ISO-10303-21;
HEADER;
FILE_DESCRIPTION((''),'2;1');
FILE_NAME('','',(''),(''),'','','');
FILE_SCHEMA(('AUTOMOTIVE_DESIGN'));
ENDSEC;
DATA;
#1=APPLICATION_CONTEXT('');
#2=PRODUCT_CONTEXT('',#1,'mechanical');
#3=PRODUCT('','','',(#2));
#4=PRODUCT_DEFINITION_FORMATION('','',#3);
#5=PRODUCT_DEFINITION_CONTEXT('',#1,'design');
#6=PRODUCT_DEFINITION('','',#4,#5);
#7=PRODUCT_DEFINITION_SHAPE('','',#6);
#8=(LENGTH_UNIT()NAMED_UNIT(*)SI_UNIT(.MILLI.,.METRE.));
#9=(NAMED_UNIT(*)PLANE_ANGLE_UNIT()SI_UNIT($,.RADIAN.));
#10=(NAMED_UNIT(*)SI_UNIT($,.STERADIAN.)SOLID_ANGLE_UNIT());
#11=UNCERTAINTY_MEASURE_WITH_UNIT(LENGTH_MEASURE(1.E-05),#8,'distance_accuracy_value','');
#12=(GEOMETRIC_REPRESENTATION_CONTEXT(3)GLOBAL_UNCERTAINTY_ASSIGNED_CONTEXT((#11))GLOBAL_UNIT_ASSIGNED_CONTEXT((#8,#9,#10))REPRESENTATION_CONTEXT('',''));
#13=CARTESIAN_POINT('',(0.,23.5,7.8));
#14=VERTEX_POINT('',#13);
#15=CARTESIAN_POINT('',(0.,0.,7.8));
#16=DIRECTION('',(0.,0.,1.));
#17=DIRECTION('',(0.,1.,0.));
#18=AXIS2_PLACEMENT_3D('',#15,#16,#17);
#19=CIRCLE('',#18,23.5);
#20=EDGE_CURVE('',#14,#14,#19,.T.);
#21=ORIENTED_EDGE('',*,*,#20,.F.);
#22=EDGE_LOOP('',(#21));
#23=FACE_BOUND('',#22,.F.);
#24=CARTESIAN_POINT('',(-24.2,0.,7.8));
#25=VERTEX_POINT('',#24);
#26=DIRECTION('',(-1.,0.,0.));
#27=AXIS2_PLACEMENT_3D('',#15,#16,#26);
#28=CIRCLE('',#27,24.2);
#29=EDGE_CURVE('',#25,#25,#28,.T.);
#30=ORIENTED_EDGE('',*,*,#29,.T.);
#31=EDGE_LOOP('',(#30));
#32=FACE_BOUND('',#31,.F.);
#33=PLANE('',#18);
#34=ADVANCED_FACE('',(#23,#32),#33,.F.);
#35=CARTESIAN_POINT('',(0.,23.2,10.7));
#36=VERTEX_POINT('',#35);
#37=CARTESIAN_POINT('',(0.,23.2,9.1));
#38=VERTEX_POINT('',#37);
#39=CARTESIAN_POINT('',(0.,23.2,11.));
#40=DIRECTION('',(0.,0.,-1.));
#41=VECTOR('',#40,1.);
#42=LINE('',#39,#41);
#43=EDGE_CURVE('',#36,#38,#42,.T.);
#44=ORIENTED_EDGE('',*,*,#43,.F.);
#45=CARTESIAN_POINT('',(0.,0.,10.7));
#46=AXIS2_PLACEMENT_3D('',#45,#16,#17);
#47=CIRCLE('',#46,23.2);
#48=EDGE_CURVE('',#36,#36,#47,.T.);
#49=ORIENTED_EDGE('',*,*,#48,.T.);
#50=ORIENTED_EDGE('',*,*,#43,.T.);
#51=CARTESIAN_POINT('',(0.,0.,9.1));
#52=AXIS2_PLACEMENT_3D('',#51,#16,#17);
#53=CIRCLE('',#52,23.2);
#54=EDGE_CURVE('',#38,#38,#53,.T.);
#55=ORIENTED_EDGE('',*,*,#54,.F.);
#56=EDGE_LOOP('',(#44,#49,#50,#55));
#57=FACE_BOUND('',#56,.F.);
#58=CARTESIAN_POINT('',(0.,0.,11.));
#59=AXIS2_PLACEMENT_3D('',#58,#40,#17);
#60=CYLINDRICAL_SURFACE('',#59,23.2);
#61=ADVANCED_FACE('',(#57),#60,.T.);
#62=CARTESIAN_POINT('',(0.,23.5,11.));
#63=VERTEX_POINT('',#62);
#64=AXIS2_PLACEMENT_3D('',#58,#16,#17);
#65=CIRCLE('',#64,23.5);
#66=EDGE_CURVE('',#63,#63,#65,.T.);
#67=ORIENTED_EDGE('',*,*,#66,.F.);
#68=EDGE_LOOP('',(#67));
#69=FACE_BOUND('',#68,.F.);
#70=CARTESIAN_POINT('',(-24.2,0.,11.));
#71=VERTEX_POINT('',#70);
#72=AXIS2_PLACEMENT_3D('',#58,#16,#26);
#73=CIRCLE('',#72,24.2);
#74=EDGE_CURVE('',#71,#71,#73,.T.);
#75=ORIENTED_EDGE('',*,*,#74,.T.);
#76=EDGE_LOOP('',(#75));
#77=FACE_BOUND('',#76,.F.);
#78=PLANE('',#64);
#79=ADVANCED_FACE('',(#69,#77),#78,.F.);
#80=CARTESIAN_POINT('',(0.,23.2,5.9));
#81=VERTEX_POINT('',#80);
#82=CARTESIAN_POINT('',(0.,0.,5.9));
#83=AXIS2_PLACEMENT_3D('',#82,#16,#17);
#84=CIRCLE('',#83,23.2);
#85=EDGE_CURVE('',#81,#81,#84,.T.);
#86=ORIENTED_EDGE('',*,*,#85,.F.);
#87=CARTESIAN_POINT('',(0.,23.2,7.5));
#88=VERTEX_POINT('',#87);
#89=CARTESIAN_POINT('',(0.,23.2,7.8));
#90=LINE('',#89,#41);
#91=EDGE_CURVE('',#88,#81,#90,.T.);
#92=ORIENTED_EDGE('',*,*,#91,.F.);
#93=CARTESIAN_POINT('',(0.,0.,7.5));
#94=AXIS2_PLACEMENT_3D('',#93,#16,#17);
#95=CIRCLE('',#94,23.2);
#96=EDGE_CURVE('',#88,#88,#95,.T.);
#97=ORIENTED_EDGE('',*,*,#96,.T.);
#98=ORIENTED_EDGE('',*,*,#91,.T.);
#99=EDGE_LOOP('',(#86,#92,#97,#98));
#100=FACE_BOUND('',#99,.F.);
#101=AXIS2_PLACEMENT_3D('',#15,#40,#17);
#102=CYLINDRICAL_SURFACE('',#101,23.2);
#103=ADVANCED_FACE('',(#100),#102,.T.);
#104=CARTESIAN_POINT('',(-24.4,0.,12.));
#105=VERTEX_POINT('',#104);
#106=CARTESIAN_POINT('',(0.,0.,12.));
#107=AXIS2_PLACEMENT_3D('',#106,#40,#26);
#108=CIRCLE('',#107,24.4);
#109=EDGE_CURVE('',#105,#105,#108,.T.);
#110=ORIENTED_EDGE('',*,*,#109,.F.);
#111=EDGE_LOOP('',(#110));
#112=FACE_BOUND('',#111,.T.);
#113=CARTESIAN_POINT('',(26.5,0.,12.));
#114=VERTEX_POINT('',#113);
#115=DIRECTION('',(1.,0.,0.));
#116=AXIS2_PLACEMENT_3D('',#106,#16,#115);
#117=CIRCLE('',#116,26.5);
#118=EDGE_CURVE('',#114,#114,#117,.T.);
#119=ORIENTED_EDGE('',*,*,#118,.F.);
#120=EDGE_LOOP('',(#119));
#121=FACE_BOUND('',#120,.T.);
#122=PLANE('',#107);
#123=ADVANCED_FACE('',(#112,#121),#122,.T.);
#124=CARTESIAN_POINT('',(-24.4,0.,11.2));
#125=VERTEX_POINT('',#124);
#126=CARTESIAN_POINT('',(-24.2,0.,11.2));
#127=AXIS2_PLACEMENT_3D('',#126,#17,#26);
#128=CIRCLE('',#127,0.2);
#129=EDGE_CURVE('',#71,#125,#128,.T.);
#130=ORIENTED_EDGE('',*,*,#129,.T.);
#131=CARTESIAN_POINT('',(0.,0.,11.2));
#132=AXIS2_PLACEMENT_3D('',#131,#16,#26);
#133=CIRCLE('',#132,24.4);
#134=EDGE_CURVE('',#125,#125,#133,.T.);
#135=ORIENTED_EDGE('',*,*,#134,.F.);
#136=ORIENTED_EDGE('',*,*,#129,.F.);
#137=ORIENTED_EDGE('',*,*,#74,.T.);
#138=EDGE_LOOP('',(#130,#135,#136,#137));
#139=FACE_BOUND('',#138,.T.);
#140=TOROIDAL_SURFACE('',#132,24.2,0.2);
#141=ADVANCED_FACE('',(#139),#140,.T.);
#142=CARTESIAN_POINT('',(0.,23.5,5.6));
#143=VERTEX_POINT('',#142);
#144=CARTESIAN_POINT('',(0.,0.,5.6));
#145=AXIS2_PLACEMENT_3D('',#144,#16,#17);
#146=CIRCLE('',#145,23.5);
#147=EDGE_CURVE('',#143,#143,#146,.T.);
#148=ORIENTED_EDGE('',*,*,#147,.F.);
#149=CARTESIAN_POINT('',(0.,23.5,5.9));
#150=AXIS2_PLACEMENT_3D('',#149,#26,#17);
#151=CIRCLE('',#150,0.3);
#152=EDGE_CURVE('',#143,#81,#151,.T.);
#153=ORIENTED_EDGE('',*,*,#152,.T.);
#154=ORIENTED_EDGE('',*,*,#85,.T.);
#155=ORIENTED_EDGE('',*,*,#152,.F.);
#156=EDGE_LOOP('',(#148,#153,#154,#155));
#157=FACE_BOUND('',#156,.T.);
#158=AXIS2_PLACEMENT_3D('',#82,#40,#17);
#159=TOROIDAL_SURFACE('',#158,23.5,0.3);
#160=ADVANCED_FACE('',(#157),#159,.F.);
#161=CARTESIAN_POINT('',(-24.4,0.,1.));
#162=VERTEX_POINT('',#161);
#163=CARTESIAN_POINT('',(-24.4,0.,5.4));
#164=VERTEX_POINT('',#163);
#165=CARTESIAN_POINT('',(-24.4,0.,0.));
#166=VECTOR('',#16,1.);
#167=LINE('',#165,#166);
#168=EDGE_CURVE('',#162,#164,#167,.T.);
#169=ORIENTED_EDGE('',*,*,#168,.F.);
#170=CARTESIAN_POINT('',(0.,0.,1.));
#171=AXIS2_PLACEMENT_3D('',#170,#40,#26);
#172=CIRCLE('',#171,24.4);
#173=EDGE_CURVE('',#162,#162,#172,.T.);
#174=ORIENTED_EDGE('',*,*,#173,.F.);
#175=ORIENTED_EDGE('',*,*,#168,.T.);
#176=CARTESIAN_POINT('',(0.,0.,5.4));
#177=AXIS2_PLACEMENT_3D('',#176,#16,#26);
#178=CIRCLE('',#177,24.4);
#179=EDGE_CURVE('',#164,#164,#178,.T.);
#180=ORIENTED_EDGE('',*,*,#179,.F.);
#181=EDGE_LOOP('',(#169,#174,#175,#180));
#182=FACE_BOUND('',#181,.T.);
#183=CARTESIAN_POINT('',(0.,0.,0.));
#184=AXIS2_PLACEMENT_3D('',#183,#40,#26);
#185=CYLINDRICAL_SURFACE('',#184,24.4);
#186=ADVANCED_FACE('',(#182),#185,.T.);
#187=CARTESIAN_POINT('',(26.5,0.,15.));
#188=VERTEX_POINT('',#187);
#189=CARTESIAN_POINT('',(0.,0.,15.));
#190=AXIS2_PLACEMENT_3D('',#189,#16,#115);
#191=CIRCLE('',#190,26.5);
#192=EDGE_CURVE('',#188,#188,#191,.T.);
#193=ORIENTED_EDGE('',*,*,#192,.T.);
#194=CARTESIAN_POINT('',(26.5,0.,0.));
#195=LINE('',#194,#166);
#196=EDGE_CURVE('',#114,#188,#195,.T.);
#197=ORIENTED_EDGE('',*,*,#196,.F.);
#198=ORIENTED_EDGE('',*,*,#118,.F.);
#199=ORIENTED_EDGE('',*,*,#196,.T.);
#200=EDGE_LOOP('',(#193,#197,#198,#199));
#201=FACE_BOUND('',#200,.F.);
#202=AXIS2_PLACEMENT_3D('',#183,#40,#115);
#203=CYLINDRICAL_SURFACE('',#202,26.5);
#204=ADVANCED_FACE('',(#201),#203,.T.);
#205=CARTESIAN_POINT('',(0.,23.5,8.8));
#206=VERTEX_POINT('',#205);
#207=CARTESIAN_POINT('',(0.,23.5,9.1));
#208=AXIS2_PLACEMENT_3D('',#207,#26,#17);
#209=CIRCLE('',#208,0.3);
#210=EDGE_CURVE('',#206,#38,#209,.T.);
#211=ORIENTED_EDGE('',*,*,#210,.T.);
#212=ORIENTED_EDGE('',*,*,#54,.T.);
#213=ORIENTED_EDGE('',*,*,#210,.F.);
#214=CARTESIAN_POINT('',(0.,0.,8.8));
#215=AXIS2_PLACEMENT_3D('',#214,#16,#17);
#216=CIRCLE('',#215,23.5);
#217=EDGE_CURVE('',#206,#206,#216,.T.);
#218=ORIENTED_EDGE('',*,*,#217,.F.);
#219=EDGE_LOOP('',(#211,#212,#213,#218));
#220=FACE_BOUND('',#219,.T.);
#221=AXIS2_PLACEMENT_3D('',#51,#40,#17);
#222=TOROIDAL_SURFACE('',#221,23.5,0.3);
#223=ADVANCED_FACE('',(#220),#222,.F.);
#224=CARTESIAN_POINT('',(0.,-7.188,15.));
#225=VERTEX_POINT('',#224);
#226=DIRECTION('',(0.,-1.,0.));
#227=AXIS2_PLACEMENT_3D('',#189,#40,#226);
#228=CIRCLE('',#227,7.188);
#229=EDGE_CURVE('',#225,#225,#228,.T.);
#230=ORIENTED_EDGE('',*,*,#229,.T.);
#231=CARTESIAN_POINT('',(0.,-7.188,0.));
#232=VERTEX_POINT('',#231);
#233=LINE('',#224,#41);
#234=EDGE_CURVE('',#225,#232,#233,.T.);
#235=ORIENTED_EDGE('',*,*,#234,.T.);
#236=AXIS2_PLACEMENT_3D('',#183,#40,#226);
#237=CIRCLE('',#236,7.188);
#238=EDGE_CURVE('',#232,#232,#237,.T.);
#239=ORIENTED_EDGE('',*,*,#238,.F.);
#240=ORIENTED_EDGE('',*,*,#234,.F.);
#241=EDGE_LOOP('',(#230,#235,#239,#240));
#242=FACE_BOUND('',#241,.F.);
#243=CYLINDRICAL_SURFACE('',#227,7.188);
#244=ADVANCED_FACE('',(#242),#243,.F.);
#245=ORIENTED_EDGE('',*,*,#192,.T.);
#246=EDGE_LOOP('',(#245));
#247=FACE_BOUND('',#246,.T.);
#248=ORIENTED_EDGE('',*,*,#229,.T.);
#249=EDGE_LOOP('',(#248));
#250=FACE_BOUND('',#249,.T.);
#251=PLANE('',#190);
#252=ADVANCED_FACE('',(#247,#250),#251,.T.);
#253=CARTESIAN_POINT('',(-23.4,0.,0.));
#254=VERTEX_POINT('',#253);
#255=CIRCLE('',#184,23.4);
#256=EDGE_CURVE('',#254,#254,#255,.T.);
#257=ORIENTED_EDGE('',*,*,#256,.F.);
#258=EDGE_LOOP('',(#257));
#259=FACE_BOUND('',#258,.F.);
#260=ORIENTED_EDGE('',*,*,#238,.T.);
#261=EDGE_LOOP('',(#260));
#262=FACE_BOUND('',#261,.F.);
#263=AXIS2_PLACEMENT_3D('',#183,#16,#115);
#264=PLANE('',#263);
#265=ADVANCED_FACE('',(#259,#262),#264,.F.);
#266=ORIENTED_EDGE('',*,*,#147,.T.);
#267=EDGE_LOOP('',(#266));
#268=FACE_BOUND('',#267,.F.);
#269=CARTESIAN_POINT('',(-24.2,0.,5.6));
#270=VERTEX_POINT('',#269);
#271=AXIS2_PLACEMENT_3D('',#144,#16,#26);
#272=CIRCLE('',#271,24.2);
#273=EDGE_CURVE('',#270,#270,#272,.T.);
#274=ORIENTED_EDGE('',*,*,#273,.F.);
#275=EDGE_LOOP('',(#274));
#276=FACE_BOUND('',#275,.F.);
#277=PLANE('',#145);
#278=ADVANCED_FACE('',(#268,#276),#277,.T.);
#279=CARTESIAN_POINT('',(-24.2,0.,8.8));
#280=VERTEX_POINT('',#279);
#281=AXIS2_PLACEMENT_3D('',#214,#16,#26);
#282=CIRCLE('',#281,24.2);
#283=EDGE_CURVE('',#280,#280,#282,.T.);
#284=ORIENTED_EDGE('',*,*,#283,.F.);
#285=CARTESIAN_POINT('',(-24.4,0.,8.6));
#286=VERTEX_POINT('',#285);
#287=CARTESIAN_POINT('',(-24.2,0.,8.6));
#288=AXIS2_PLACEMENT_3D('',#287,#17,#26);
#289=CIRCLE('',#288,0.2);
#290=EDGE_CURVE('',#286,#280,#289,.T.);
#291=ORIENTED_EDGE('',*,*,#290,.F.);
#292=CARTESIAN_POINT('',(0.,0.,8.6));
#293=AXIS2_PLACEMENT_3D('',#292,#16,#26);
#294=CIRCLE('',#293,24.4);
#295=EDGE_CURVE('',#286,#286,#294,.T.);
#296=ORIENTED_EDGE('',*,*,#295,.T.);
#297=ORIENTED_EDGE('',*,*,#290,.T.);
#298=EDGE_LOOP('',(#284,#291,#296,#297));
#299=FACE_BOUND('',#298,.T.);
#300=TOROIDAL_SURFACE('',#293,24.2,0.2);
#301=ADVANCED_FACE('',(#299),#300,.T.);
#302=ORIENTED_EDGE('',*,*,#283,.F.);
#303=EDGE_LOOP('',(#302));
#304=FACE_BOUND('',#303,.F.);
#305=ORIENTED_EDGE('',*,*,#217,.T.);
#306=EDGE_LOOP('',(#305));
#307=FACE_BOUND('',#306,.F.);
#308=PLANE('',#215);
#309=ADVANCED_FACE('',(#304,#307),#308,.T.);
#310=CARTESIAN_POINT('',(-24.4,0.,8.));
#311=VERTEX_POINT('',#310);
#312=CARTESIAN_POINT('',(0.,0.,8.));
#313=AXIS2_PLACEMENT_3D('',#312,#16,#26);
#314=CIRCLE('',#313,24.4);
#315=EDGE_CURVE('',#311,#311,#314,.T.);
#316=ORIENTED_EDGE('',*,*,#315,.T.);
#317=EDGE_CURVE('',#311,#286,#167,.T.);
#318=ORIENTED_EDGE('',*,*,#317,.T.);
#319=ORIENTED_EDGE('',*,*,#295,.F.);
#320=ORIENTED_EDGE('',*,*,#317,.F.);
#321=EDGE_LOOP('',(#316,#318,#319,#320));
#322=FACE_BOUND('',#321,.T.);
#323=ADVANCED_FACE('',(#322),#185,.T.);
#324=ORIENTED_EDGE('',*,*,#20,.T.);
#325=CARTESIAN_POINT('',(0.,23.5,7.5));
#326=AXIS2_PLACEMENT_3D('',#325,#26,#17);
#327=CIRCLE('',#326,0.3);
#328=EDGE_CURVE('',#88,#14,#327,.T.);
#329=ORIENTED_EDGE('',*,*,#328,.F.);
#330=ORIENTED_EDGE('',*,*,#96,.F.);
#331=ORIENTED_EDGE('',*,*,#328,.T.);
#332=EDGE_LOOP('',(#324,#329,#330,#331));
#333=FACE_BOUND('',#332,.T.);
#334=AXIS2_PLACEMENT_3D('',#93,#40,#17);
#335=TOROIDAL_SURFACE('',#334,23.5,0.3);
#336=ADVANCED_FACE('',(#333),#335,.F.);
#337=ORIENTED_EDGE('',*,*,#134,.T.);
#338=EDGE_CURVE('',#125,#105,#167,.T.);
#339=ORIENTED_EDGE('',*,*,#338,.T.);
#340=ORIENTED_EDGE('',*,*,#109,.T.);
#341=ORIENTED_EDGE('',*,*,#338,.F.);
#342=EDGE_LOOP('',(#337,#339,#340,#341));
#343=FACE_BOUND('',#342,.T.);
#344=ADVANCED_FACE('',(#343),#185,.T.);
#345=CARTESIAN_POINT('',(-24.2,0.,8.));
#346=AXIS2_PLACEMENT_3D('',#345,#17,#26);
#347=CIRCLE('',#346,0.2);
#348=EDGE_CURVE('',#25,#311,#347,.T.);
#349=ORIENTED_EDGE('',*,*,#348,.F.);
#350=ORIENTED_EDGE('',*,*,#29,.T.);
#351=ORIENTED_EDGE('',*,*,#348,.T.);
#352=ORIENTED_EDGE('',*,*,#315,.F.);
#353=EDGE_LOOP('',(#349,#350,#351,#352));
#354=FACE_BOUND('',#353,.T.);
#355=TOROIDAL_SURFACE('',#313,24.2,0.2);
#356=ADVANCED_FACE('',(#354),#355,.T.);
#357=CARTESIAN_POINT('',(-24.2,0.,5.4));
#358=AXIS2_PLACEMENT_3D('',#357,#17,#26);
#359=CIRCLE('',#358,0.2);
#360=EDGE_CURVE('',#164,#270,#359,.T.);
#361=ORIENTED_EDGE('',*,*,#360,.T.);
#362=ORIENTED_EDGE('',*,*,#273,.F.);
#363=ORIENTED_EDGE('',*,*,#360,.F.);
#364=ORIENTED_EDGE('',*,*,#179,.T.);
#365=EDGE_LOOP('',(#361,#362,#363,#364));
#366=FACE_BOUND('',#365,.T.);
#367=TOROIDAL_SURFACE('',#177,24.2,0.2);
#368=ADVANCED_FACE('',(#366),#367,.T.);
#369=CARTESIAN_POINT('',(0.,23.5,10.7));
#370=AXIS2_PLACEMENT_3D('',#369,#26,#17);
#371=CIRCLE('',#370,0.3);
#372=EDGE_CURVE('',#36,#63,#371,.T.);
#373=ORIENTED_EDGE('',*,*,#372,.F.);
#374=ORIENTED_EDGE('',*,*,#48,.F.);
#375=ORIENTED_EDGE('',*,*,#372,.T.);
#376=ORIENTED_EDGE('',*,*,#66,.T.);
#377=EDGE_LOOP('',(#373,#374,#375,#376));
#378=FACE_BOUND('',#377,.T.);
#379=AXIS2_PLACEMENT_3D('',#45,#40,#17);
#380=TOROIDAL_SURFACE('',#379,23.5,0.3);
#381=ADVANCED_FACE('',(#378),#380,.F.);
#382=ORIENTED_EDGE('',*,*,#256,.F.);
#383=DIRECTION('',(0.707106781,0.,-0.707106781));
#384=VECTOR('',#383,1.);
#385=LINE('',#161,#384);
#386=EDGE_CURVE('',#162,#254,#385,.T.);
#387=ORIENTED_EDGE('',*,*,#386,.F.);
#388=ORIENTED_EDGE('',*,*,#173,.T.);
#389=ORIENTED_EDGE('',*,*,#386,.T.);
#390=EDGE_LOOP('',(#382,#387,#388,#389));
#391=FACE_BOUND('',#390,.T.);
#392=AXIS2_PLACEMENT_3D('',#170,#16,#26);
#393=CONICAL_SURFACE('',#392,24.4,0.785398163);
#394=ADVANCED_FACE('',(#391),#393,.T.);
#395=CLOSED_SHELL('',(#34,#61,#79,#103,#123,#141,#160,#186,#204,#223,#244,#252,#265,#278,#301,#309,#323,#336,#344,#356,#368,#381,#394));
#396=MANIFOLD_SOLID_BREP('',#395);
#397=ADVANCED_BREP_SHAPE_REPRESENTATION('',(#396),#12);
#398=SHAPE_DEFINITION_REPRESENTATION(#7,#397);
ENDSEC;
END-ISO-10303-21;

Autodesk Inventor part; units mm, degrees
ref_plane "XZ Plane" through (0, 0, 0) normal (0, 1, 0) x (-1, 0, 0)
ref_plane "XY Plane" through (0, 0, 0) normal (0, 0, 1) x (1, 0, 0)
sketch "Skizze1" plane through (0, 0, 0) normal (0, 0, 1) x (1, 0, 0)
  circle A0 centre (0, 0) radius 26.5
  dimension "d0" = 53
extrude "Extrusion1" add sketch "Skizze1" along normal blind 15
sketch "Skizze2" plane through (0, 0, 0) normal (0, 0, -1) x (-1, 0, 0)
  circle A0 centre (0, 0) radius 24.4
  circle A1 centre (0, 0) radius 26.5 projected
  dimension "d3" = 48.8
extrude "Extrusion2" cut sketch "Skizze2" against normal blind 12
sketch "Skizze3" plane through (0, 0, 0) normal (0, 0, -1) x (-1, 0, 0)
  circle A0 centre (0, 0) radius 24.4 projected
ref_plane "Arbeitsebene1" through (0, 0, 0) normal (1, 0, 0) x (0, 1, 0)
sketch "Skizze4" plane through (0, 0, 0) normal (1, 0, 0) x (0, 1, 0)
  line L0 (26.5, 12) -> (-26.5, 12) projected
  line L1 (24.4, 0) -> (24.4, 12) projected
  line L2 (24.4, 11) -> (23.2, 11)
  line L3 (23.2, 11) -> (23.2, 8.8)
  line L4 (23.2, 8.8) -> (24.4, 8.8)
  line L5 (24.4, 7.8) -> (23.2, 7.8)
  line L6 (23.2, 7.8) -> (23.2, 5.6)
  line L7 (23.2, 5.6) -> (24.4, 5.6)
  line L8 (0, -3) -> (0, 18) projected
  point P0 (0, 0)
  dimension "t" = 1.2
  dimension "b" = 2.2
  dimension "a" = 1
  dimension "d10" = 1
revolve "Umdrehung1" cut sketch "Skizze4" angle 360 about axis through (0, 0, -10) along (0, 0, 1)
chamfer "Fase1" distance 1 angle 45 1 edges at (24.4, 0, 0)
fillet "Rundung1" radius 0.2 4 edges at (24.4, 0, 5.6) (24.4, 0, 7.8) (24.4, 0, 8.8) (24.4, 0, 11)
fillet "Rundung1" radius 0.3 4 edges at (0, -23.2, 5.6) (0, -23.2, 7.8) (0, -23.2, 8.8) (0, -23.2, 11)
sketch "Skizze5" plane through (0, 0, 15) normal (0, 0, 1) x (1, 0, 0)
  circle A0 centre (0, 0) radius 26.5 projected
hole "Bohrung1" at (0, 0, 15) direction (0, 0, -1) diameter 14.376 end through all thread size "M16x1.5" class "6H" standard "ANSI Metric M Profile"
equation "\"d10\" = a"
properties part number "Deckel" material "PMMA-Kunststoff"
